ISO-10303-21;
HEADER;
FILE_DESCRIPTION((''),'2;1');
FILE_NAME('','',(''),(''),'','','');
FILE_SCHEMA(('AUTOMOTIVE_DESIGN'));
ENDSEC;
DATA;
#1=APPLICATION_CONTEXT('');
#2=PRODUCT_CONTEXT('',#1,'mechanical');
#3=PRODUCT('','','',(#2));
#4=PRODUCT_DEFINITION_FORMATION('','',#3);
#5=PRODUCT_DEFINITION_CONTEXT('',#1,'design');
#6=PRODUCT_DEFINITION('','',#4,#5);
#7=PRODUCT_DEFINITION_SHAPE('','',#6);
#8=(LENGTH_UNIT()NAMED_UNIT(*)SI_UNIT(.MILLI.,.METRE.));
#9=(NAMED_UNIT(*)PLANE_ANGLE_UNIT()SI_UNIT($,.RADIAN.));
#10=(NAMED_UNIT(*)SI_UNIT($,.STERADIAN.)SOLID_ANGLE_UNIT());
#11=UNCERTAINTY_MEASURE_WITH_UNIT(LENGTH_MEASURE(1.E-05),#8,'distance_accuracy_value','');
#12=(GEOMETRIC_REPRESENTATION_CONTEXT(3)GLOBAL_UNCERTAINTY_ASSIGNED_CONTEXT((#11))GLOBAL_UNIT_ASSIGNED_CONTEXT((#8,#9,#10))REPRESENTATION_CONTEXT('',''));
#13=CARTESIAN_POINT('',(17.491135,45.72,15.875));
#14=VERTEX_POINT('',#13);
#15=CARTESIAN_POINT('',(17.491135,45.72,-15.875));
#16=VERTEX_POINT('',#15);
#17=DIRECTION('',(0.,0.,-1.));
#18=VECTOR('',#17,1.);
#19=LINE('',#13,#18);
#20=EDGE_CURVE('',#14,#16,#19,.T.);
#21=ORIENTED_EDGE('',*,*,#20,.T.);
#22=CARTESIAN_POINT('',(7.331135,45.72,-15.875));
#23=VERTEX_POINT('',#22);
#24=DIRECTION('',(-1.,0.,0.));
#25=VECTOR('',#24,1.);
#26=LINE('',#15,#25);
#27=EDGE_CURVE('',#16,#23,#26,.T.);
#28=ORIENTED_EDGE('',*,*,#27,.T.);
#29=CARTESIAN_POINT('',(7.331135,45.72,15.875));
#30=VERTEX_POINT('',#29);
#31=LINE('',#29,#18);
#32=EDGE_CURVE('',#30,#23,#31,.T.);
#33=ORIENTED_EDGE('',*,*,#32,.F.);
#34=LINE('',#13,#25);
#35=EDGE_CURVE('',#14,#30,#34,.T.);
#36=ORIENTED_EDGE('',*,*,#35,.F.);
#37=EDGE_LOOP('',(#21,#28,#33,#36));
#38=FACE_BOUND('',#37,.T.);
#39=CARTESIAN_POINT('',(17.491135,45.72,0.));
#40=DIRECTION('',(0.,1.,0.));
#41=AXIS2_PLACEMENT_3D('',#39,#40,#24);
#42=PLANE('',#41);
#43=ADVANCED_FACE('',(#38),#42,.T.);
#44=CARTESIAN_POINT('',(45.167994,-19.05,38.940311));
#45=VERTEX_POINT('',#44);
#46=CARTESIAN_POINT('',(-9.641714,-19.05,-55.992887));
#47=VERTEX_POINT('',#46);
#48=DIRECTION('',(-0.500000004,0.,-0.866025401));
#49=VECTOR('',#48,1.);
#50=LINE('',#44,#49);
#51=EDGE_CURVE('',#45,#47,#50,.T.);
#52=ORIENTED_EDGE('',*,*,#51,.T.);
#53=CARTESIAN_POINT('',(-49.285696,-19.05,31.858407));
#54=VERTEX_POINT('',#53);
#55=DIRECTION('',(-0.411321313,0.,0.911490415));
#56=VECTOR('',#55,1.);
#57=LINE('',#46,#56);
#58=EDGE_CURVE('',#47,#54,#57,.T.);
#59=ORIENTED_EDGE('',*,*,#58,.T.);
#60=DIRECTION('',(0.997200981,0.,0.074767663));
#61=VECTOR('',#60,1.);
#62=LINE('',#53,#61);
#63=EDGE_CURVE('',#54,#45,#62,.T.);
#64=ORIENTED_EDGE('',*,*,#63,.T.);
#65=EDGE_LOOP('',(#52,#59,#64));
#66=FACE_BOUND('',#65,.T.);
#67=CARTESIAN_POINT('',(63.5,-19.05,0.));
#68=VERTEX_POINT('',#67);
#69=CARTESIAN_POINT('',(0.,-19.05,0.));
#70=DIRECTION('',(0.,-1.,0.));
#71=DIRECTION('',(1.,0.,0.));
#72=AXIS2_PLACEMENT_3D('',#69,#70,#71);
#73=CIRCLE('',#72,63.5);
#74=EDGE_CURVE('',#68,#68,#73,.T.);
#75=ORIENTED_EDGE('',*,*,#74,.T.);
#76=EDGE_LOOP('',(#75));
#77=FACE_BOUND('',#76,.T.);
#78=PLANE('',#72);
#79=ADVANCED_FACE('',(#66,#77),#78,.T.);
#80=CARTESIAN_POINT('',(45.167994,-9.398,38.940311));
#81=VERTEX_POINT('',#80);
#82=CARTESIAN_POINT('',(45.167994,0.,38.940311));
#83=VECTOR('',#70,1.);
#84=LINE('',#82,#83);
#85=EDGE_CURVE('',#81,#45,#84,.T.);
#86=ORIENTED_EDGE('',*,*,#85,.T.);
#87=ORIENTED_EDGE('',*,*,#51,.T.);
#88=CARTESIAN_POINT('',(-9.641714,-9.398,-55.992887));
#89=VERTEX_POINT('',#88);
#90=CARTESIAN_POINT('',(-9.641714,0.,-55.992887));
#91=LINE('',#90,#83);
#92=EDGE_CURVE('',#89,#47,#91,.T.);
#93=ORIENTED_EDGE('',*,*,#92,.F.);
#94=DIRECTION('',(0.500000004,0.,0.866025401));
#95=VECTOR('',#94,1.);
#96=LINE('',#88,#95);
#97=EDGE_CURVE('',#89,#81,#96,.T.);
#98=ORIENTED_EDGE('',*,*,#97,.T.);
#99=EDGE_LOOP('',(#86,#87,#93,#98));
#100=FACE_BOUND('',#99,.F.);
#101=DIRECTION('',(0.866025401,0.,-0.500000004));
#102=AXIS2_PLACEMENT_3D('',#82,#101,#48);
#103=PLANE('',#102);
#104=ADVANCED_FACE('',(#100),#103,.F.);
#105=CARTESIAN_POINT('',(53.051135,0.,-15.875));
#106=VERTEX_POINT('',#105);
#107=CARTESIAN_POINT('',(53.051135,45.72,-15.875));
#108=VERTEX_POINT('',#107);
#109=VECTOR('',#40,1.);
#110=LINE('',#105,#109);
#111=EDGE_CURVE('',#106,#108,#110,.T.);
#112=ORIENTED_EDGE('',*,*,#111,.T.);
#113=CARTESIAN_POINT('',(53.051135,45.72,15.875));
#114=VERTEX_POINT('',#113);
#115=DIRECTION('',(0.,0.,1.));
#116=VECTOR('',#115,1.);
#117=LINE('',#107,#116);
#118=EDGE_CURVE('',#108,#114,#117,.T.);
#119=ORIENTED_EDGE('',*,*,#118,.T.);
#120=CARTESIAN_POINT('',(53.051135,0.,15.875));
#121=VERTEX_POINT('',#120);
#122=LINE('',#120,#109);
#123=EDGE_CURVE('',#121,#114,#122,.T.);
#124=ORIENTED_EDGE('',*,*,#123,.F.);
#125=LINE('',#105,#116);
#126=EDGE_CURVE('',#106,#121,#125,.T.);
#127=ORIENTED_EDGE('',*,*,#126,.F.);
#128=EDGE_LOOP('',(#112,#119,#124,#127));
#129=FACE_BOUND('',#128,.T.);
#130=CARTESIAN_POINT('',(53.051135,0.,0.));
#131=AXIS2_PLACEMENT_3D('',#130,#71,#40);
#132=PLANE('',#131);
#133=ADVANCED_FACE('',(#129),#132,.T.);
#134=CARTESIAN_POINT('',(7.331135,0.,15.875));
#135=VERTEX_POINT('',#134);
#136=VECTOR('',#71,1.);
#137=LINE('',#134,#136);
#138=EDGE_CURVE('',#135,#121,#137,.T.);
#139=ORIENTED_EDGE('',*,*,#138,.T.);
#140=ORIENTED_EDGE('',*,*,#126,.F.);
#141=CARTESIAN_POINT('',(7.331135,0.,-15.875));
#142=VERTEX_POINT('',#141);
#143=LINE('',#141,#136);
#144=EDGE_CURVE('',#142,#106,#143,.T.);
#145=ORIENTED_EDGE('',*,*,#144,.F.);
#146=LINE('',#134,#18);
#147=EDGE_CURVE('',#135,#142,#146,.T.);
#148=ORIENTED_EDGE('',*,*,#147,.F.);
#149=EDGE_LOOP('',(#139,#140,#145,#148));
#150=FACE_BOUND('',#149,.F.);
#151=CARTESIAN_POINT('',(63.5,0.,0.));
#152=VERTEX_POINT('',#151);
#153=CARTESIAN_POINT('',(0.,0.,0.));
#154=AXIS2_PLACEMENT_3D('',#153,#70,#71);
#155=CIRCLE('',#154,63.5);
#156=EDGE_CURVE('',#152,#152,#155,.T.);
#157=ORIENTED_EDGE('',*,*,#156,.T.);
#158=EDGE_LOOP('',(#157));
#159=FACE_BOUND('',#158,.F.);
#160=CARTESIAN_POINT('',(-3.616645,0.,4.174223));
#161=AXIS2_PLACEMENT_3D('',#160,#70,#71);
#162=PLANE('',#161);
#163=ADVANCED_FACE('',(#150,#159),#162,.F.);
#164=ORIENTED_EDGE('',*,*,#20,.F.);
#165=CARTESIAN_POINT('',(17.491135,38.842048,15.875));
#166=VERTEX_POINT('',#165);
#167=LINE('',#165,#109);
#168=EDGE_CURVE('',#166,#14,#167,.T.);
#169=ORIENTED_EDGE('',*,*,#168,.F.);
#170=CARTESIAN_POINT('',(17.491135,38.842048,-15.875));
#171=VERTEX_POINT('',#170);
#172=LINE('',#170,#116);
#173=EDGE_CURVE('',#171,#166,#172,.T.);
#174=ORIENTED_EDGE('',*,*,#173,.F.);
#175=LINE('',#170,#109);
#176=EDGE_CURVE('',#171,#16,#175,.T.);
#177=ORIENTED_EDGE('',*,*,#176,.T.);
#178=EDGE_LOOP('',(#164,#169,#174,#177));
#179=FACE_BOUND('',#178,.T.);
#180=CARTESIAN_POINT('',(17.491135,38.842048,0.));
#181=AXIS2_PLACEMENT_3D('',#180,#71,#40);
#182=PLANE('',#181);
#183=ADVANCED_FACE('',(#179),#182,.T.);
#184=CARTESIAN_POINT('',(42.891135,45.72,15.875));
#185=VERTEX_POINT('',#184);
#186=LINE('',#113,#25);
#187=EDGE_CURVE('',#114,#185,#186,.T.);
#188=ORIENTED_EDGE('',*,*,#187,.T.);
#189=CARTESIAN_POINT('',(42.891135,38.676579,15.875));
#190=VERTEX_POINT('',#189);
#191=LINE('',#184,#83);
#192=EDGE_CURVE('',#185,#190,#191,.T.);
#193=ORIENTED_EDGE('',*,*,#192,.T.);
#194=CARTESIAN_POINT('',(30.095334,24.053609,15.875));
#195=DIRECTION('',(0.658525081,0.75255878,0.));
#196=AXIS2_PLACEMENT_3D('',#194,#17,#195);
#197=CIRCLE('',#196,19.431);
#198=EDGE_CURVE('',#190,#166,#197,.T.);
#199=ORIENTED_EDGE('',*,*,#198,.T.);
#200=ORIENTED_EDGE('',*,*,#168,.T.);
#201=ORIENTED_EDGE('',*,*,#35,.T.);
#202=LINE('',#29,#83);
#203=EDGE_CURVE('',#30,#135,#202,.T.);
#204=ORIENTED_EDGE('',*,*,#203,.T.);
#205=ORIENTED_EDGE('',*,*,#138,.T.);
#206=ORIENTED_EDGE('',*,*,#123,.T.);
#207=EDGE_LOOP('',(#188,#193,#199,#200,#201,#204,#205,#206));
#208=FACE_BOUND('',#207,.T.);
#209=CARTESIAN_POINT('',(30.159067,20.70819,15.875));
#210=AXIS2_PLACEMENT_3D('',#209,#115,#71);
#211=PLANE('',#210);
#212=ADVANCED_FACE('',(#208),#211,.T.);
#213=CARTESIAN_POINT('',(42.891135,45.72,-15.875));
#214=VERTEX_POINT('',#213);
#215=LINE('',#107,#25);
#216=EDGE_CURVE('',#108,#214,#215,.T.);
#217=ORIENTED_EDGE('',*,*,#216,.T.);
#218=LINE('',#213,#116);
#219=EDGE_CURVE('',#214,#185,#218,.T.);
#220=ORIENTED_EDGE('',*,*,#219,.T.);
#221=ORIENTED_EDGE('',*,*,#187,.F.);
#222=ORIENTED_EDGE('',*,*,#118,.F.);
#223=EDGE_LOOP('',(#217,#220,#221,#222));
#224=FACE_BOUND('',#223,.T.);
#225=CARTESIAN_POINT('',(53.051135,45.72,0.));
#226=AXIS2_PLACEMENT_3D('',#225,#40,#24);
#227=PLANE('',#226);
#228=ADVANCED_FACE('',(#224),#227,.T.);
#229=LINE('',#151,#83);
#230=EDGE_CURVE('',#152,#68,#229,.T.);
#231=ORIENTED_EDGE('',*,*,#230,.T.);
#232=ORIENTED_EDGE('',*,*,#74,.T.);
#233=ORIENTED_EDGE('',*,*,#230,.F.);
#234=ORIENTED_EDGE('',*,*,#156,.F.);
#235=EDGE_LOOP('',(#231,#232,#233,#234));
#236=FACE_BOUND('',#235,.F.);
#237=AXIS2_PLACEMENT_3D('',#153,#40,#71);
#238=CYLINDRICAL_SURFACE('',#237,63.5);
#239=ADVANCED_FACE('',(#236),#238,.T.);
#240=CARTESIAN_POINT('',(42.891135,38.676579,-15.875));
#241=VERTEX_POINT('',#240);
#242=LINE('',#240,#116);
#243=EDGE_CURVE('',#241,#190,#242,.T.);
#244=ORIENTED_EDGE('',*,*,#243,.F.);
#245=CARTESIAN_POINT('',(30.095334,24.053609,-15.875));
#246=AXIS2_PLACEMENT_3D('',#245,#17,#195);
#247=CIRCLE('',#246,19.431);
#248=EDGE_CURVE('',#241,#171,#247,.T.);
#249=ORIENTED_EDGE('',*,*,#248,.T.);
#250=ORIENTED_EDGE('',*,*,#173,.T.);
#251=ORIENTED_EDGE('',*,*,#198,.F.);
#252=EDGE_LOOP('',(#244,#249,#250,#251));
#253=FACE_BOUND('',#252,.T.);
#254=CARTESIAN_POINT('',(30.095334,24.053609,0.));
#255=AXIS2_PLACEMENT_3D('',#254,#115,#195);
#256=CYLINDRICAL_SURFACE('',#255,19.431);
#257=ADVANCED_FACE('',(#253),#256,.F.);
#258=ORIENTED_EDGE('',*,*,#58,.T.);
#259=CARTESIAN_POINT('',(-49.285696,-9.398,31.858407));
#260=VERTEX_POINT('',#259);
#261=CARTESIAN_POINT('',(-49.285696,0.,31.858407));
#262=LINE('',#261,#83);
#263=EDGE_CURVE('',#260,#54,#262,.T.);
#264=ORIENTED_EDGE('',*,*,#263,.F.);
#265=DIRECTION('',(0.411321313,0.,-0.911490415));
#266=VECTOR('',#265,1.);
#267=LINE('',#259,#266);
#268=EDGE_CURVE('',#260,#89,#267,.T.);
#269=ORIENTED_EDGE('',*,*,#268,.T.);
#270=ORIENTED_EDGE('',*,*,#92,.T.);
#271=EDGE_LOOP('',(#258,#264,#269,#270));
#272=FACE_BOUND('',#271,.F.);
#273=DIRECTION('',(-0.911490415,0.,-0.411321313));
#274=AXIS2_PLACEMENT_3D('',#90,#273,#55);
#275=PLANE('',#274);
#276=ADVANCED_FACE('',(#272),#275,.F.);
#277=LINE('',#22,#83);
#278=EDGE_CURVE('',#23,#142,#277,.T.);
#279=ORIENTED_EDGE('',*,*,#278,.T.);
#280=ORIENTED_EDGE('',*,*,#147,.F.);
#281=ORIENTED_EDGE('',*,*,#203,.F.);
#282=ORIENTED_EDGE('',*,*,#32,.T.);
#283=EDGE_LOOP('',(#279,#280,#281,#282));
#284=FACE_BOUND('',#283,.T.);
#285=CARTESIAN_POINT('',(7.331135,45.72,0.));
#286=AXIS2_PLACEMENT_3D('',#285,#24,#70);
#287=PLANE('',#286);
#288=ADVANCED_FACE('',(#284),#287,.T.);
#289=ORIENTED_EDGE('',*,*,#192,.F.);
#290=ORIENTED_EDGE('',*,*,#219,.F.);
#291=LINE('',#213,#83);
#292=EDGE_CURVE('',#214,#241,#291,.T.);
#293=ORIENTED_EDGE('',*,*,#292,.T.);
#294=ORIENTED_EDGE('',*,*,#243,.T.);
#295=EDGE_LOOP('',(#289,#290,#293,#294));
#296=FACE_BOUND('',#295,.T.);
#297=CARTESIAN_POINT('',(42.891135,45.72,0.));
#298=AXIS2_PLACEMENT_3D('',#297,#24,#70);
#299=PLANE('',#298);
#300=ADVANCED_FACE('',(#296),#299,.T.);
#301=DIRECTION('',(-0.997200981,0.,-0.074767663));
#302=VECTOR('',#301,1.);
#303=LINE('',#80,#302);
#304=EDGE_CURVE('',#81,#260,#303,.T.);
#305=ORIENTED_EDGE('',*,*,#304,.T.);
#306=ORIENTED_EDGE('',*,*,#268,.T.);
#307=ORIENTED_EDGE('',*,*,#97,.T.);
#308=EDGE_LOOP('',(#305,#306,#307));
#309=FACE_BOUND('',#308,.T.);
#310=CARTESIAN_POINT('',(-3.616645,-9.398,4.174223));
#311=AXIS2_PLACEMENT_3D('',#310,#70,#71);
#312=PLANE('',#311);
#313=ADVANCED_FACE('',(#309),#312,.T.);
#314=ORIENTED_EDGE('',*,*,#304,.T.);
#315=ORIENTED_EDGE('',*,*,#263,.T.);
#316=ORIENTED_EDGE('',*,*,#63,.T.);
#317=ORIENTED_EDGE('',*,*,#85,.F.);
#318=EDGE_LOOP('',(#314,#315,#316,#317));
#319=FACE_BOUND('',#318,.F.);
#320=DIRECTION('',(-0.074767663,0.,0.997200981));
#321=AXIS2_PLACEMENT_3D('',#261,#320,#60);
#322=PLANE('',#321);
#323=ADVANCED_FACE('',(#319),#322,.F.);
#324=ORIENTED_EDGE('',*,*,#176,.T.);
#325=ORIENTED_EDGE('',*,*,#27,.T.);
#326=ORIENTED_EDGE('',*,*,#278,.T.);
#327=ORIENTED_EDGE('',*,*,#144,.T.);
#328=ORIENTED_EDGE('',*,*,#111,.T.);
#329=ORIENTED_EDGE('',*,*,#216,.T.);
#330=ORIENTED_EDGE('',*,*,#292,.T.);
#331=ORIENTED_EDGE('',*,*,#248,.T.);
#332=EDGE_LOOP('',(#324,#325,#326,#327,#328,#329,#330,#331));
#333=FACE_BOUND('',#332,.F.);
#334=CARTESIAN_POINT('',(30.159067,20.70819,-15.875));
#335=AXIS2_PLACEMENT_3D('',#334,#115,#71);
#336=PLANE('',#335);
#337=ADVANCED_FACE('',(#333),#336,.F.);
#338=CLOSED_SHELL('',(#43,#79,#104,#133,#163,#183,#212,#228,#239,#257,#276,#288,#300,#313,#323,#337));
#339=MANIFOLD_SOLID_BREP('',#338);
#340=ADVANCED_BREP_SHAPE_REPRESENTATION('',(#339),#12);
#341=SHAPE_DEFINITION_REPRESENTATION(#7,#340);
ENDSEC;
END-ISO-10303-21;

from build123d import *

# Parameters (mm, degrees)
F0_R     = 63.5
F1_DEPTH = 19.05
F2_DEPTH = 9.398
F4_DEPTH = 15.875


with BuildPart() as f1:
    # F0 (on Front) → F1 (new body)
    with BuildSketch(Plane.XZ):
        Circle(F0_R)
        Polygon((-49.285696, 31.858407), (45.167994, 38.940311), (-9.641714, -55.992887), align=None, mode=Mode.SUBTRACT)
    extrude(amount=F1_DEPTH)

    # F0 (on Front) → F2 (join)
    with BuildSketch(Plane.XZ):
        Polygon((-9.641714, -55.992887), (45.167994, 38.940311), (-49.285696, 31.858407), align=None)
    extrude(amount=F2_DEPTH)

    # F3 (on Top) → F4 (join, symmetric)
    with BuildSketch(Plane.XY):
        with BuildLine():
            Line((7.331135, 0), (53.051135, 0))
            Line((53.051135, 0), (53.051135, 45.72))
            Line((53.051135, 45.72), (42.891135, 45.72))
            Line((42.891135, 45.72), (42.891135, 38.676579))
            ThreePointArc((42.891135, 38.676579), (29.968754, 4.623022), (17.491135, 38.842048))
            Line((17.491135, 38.842048), (17.491135, 45.72))
            Line((17.491135, 45.72), (7.331135, 45.72))
            Line((7.331135, 45.72), (7.331135, 0))
        make_face()
    extrude(amount=F4_DEPTH, both=True)


solid = f1.part
